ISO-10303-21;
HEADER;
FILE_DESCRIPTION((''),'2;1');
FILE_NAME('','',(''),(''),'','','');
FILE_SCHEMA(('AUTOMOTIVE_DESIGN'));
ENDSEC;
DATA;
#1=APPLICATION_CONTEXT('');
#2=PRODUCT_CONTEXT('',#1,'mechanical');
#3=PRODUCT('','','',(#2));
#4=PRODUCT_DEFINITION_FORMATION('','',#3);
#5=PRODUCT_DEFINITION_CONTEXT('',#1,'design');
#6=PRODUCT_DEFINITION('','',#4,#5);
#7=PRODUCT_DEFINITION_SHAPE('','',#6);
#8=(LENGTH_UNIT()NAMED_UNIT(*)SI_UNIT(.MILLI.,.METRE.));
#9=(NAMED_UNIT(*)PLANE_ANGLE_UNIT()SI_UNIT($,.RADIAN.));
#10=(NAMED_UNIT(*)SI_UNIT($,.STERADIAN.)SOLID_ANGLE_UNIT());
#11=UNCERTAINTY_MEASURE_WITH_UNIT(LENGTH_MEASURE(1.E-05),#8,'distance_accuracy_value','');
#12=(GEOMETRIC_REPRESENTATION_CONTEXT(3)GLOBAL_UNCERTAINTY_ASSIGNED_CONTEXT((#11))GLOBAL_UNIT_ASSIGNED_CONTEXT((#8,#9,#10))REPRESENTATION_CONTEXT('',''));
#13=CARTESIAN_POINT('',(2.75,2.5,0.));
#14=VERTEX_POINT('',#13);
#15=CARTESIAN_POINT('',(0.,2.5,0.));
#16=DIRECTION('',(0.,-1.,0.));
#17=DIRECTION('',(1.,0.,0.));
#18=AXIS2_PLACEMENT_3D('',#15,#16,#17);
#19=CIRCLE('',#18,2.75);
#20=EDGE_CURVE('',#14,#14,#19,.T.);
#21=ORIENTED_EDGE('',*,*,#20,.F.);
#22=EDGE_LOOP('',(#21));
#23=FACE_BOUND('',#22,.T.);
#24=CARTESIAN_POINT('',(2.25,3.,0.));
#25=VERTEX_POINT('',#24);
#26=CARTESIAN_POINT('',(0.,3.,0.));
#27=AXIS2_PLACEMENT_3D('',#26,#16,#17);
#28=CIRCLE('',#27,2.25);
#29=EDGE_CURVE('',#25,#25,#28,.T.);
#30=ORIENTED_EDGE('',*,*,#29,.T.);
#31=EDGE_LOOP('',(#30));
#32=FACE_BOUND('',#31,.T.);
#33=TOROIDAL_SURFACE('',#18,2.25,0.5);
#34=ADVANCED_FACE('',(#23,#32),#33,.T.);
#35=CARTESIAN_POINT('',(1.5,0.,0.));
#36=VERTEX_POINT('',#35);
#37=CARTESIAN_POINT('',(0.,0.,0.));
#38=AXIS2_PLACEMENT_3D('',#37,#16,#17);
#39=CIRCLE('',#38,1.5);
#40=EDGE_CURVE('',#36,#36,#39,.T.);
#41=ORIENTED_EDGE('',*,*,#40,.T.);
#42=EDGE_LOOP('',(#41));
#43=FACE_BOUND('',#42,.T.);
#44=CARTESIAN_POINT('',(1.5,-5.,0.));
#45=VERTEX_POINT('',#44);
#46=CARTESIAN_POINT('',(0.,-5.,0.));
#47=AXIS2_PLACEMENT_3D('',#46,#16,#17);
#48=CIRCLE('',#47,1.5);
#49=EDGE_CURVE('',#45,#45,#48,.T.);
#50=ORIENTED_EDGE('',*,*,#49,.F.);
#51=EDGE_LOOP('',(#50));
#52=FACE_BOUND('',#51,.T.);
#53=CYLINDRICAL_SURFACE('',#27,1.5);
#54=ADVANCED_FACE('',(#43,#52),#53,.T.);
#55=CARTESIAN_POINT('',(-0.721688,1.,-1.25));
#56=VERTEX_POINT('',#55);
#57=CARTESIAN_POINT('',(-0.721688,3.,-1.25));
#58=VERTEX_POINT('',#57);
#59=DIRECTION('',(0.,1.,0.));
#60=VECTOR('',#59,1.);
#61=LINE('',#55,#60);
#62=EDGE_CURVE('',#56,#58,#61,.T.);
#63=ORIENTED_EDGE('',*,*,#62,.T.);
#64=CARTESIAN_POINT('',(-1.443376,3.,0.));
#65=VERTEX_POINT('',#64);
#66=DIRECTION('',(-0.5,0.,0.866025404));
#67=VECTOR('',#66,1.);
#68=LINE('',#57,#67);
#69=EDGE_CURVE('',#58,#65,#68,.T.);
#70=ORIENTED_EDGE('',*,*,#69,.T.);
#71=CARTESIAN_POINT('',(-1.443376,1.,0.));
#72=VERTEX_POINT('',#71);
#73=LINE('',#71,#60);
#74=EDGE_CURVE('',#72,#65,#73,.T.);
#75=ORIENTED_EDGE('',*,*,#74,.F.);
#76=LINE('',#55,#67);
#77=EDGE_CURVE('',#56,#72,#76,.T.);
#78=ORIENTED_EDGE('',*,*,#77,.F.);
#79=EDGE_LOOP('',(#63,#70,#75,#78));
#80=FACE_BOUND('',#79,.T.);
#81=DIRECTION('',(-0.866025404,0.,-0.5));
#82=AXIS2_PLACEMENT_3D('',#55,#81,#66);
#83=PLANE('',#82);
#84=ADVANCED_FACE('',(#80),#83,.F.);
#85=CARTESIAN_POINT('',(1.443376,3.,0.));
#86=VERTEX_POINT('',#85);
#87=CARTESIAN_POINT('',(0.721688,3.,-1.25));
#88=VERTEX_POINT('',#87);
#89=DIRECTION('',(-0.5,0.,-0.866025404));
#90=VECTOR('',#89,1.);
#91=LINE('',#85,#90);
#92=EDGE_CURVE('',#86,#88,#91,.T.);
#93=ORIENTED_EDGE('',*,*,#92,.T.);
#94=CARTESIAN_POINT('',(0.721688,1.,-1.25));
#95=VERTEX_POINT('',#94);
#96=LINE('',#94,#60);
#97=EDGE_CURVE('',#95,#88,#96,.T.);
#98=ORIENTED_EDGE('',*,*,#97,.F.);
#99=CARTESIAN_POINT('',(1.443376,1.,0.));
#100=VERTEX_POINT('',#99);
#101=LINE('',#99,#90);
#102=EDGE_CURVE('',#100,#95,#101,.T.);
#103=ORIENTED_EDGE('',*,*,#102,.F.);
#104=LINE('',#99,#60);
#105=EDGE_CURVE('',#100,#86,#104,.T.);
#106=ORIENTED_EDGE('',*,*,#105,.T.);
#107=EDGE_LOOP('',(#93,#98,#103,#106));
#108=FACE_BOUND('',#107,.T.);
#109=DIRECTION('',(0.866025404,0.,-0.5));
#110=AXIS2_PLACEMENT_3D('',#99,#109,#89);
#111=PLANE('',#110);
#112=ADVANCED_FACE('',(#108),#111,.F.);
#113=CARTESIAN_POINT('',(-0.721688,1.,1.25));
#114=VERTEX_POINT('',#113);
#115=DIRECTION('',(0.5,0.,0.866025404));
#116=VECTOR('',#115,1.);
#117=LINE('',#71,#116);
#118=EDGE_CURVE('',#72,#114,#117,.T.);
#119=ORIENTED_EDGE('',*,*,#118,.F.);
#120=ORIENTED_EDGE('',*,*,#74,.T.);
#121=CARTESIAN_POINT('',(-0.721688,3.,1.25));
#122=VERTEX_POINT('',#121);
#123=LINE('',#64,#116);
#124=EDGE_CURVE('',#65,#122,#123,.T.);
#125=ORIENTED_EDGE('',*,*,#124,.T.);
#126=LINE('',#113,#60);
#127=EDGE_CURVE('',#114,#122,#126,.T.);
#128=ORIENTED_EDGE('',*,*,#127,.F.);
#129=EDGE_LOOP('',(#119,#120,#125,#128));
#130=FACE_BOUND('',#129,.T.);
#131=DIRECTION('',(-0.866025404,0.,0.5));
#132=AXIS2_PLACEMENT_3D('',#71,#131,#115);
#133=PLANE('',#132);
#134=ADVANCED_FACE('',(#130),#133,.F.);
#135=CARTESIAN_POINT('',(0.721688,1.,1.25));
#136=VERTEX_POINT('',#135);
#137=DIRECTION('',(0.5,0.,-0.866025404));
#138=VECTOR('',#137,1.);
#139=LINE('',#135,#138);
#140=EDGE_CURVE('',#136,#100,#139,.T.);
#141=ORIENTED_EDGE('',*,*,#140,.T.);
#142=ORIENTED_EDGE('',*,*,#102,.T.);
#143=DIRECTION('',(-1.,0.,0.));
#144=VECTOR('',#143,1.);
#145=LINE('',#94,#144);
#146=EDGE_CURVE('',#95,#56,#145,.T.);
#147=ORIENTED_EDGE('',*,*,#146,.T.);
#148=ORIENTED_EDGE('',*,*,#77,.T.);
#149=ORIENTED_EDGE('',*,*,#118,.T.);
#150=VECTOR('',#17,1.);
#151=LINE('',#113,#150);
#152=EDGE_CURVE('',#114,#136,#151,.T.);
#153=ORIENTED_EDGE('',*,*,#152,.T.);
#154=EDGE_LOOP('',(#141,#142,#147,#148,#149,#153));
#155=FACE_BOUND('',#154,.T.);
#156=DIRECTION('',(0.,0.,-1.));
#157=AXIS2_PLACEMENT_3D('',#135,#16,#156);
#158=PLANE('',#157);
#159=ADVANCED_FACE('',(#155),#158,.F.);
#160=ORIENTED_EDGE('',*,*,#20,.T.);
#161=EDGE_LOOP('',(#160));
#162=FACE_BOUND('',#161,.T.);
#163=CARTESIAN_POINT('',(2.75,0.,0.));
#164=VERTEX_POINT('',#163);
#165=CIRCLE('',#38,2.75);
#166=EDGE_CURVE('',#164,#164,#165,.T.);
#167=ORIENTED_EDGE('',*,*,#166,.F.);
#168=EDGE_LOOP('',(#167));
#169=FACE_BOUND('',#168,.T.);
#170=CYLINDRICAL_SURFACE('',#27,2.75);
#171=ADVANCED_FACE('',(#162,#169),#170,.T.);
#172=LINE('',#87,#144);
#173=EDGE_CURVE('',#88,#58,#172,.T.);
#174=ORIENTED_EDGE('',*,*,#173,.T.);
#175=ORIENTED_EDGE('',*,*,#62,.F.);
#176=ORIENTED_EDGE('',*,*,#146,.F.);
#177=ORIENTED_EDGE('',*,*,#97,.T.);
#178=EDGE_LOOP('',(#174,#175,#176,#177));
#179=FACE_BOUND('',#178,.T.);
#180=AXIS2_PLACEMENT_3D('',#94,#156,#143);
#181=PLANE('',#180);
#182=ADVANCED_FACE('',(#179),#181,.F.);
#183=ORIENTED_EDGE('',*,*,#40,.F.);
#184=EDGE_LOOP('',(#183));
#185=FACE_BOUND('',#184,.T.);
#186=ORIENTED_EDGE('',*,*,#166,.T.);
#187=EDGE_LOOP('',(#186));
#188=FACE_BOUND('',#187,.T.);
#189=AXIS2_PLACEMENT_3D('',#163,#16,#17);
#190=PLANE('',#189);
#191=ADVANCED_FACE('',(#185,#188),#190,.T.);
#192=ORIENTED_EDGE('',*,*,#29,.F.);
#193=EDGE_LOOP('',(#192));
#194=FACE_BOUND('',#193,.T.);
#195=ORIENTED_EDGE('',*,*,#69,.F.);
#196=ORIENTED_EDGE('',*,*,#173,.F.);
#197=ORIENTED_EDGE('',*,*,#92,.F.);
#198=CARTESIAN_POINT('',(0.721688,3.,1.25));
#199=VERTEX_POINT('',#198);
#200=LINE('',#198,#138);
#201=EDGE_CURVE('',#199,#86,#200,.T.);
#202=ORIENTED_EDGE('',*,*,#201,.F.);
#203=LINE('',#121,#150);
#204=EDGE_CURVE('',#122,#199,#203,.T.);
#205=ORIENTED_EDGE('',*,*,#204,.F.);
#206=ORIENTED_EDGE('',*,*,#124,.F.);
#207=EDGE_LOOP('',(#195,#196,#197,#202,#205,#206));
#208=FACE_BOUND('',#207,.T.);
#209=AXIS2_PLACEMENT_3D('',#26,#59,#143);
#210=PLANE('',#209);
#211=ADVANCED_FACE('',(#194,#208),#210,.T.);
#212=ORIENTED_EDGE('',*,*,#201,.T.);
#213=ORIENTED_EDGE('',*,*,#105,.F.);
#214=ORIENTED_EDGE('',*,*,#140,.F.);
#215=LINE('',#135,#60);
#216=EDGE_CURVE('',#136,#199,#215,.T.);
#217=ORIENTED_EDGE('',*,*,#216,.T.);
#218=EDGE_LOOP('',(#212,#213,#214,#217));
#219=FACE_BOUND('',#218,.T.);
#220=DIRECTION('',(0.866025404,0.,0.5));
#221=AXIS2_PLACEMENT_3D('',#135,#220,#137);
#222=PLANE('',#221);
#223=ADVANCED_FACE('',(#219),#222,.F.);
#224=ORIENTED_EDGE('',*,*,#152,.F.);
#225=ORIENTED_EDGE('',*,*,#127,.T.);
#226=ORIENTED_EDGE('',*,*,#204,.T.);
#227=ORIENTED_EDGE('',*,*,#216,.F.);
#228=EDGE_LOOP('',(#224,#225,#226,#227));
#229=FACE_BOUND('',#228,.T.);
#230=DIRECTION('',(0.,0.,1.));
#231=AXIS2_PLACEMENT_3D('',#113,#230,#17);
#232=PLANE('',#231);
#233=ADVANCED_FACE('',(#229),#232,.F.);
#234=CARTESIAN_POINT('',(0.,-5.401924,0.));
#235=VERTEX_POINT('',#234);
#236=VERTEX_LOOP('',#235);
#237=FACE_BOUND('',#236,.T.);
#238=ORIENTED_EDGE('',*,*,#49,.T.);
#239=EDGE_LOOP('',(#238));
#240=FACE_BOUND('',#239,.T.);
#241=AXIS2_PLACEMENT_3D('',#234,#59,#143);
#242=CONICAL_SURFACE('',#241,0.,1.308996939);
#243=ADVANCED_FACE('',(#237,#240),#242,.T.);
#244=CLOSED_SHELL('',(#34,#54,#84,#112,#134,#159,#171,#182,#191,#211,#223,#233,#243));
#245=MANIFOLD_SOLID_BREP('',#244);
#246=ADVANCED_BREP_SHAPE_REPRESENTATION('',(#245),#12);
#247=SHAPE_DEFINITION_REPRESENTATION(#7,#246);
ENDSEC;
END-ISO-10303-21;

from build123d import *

# Parameters (mm, degrees)
CUT_EXTRUDE1_DEPTH = 2


with BuildPart() as part:
    # Sketch1 → Base-Revolve (revolve)
    with BuildSketch(Plane.XY):
        with BuildLine():
            Line((0, -5.401923789), (0, 3))
            Line((0, 3), (2.25, 3))
            ThreePointArc((2.25, 3), (2.603553391, 2.853553391), (2.75, 2.5))
            Line((2.75, 2.5), (2.75, 0))
            Line((2.75, 0), (1.5, 0))
            Line((1.5, 0), (1.5, -5))
            Line((1.5, -5), (0, -5.401923789))
        make_face()
    revolve(axis=Axis((0, 3, 0), (0, 1, 0)))

    # Sketch2 → Cut-Extrude1 (cut)
    with BuildSketch(Plane(origin=(0, 3, 0), x_dir=(-1, 0, 0), z_dir=(0, 1, 0))):
        Polygon((-1.443375673, 0), (-0.721687836, -1.25), (0.721687836, -1.25), (1.443375673, 0), (0.721687836, 1.25), (-0.721687836, 1.25), align=None)
    extrude(amount=-CUT_EXTRUDE1_DEPTH, mode=Mode.SUBTRACT)


solid = part.part
